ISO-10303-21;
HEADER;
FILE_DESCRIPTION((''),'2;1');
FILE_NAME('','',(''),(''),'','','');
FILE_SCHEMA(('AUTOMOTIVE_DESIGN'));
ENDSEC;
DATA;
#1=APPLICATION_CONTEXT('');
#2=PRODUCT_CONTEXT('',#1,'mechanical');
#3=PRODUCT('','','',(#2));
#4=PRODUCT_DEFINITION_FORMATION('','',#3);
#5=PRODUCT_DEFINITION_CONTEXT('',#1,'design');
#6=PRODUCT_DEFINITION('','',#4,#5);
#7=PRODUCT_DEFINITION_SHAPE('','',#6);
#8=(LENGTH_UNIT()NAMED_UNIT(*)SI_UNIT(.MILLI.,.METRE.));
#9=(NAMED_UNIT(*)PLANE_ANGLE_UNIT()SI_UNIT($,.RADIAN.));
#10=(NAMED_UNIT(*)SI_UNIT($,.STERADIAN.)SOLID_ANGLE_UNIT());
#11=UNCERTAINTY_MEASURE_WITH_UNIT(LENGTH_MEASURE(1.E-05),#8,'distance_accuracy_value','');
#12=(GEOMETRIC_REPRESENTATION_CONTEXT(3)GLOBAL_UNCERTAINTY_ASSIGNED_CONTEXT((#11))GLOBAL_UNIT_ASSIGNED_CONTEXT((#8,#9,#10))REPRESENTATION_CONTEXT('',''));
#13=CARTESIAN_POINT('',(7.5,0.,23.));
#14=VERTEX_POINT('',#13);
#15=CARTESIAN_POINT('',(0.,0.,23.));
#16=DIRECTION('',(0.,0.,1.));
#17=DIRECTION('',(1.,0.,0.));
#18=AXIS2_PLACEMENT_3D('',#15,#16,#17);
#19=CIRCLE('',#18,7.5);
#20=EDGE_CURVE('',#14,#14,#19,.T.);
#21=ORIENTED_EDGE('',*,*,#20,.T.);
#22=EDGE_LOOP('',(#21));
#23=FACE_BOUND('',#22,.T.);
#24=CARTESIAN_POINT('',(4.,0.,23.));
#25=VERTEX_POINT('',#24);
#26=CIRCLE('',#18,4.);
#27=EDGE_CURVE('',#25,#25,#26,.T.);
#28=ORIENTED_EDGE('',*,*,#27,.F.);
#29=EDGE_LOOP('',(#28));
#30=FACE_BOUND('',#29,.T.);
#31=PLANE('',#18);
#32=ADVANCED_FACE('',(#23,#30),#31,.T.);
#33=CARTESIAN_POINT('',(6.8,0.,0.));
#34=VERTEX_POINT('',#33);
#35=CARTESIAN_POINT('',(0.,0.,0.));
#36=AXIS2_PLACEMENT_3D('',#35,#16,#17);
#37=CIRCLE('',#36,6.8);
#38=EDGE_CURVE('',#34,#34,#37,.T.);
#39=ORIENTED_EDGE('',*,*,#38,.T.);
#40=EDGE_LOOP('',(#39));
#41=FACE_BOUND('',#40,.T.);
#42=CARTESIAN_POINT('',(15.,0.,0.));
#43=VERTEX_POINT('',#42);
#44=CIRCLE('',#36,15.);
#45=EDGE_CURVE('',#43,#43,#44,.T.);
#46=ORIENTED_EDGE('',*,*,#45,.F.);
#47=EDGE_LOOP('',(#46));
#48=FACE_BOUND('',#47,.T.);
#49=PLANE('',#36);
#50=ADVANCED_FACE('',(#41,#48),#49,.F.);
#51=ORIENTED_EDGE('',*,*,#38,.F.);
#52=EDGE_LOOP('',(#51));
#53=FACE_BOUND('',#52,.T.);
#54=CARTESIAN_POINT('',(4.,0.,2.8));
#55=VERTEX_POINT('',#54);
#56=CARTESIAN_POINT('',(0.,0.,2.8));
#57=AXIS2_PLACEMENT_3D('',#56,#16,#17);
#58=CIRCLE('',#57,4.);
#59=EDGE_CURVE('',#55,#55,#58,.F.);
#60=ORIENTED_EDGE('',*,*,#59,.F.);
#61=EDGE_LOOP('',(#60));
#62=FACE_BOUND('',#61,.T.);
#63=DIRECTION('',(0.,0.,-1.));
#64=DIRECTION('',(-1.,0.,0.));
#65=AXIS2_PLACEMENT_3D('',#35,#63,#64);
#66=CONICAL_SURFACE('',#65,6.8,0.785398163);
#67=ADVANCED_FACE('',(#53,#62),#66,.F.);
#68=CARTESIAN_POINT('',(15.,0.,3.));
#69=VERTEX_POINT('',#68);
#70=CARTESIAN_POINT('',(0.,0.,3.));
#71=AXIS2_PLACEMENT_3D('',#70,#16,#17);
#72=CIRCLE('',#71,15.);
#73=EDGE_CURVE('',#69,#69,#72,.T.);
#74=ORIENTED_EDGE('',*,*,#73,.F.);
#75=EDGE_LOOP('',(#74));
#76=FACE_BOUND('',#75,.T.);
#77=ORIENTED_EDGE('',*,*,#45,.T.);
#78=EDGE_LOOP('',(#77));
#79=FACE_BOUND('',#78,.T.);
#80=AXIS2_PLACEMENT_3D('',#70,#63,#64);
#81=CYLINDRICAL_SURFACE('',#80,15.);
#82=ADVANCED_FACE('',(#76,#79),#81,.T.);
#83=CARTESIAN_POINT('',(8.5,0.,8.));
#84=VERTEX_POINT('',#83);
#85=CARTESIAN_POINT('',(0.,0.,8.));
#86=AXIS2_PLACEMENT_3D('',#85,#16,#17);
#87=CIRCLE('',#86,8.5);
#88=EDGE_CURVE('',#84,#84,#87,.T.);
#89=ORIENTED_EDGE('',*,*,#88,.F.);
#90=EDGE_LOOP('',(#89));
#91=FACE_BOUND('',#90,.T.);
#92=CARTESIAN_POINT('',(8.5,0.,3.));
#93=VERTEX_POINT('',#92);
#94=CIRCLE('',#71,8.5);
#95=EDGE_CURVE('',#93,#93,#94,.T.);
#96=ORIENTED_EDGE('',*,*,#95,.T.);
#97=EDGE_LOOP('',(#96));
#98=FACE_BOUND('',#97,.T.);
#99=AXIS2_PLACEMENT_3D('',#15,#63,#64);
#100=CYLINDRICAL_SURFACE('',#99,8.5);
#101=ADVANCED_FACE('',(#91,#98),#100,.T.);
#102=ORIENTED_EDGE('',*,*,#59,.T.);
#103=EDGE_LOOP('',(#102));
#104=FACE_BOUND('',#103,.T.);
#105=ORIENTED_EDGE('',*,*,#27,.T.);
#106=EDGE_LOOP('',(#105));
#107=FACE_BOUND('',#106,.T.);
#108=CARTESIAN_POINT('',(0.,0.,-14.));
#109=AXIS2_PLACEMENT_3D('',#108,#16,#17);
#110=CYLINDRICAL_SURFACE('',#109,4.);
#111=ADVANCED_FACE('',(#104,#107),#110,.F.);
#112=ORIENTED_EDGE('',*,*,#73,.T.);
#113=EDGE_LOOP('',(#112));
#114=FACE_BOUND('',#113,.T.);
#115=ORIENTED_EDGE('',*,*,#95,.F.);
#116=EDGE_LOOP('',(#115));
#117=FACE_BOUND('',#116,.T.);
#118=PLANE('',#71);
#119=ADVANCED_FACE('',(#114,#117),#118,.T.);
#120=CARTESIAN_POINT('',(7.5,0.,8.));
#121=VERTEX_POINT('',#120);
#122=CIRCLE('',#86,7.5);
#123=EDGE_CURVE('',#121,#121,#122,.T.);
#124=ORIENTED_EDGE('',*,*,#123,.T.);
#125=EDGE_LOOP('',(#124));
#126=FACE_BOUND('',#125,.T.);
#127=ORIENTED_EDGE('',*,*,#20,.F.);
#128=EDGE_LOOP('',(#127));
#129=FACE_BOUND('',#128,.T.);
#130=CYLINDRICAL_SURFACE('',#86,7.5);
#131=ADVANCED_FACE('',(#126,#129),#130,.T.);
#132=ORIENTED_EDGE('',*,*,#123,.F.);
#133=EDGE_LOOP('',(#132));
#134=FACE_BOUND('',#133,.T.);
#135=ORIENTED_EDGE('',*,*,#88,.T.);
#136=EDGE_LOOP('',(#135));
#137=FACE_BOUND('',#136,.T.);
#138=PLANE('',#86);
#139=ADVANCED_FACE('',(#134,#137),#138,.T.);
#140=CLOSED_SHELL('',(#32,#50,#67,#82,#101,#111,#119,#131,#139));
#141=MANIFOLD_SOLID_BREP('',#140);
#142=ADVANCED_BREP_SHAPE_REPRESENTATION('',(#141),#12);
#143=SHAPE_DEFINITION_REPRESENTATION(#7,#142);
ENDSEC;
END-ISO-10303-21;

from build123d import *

# Parameters (mm, degrees)
SKETCH_1_R          = 15
EXTRUDE_1_DEPTH     = 3
SKETCH_2_R          = 8.5
EXTRUDE_2_DEPTH     = 20
SKETCH_3_R          = 10.332882869
SKETCH_3_R_2        = 7.5
CUT_EXTRUDE_1_DEPTH = 15
SKETCH_4_R          = 4
CUT_EXTRUDE_2_DEPTH = 37
CHAMFER_1_SIZE      = 2.8


with BuildPart() as part:
    # Эскиз1 → Бобышка-Вытянуть1 (new body)
    with BuildSketch(Plane.XY):
        Circle(SKETCH_1_R)
    extrude(amount=EXTRUDE_1_DEPTH)

    # Эскиз2 → Бобышка-Вытянуть2 (add)
    with BuildSketch(Plane.XY.offset(3)):
        Circle(SKETCH_2_R)
    extrude(amount=EXTRUDE_2_DEPTH)

    # Эскиз3 → Вырез-Вытянуть1 (cut)
    with BuildSketch(Plane.XY.offset(23)):
        Circle(SKETCH_3_R)
        Circle(SKETCH_3_R_2, mode=Mode.SUBTRACT)
    extrude(amount=-CUT_EXTRUDE_1_DEPTH, mode=Mode.SUBTRACT)

    # Эскиз4 → Вырез-Вытянуть2 (cut)
    with BuildSketch(Plane.XY.offset(23)):
        Circle(SKETCH_4_R)
    extrude(amount=-CUT_EXTRUDE_2_DEPTH, mode=Mode.SUBTRACT)

    # Фаска1
    chamfer_1_edges = [part.edges().sort_by_distance(p)[0] for p in [
        (-4, 0, 0),
    ]]
    chamfer(chamfer_1_edges, length=CHAMFER_1_SIZE)


solid = part.part
